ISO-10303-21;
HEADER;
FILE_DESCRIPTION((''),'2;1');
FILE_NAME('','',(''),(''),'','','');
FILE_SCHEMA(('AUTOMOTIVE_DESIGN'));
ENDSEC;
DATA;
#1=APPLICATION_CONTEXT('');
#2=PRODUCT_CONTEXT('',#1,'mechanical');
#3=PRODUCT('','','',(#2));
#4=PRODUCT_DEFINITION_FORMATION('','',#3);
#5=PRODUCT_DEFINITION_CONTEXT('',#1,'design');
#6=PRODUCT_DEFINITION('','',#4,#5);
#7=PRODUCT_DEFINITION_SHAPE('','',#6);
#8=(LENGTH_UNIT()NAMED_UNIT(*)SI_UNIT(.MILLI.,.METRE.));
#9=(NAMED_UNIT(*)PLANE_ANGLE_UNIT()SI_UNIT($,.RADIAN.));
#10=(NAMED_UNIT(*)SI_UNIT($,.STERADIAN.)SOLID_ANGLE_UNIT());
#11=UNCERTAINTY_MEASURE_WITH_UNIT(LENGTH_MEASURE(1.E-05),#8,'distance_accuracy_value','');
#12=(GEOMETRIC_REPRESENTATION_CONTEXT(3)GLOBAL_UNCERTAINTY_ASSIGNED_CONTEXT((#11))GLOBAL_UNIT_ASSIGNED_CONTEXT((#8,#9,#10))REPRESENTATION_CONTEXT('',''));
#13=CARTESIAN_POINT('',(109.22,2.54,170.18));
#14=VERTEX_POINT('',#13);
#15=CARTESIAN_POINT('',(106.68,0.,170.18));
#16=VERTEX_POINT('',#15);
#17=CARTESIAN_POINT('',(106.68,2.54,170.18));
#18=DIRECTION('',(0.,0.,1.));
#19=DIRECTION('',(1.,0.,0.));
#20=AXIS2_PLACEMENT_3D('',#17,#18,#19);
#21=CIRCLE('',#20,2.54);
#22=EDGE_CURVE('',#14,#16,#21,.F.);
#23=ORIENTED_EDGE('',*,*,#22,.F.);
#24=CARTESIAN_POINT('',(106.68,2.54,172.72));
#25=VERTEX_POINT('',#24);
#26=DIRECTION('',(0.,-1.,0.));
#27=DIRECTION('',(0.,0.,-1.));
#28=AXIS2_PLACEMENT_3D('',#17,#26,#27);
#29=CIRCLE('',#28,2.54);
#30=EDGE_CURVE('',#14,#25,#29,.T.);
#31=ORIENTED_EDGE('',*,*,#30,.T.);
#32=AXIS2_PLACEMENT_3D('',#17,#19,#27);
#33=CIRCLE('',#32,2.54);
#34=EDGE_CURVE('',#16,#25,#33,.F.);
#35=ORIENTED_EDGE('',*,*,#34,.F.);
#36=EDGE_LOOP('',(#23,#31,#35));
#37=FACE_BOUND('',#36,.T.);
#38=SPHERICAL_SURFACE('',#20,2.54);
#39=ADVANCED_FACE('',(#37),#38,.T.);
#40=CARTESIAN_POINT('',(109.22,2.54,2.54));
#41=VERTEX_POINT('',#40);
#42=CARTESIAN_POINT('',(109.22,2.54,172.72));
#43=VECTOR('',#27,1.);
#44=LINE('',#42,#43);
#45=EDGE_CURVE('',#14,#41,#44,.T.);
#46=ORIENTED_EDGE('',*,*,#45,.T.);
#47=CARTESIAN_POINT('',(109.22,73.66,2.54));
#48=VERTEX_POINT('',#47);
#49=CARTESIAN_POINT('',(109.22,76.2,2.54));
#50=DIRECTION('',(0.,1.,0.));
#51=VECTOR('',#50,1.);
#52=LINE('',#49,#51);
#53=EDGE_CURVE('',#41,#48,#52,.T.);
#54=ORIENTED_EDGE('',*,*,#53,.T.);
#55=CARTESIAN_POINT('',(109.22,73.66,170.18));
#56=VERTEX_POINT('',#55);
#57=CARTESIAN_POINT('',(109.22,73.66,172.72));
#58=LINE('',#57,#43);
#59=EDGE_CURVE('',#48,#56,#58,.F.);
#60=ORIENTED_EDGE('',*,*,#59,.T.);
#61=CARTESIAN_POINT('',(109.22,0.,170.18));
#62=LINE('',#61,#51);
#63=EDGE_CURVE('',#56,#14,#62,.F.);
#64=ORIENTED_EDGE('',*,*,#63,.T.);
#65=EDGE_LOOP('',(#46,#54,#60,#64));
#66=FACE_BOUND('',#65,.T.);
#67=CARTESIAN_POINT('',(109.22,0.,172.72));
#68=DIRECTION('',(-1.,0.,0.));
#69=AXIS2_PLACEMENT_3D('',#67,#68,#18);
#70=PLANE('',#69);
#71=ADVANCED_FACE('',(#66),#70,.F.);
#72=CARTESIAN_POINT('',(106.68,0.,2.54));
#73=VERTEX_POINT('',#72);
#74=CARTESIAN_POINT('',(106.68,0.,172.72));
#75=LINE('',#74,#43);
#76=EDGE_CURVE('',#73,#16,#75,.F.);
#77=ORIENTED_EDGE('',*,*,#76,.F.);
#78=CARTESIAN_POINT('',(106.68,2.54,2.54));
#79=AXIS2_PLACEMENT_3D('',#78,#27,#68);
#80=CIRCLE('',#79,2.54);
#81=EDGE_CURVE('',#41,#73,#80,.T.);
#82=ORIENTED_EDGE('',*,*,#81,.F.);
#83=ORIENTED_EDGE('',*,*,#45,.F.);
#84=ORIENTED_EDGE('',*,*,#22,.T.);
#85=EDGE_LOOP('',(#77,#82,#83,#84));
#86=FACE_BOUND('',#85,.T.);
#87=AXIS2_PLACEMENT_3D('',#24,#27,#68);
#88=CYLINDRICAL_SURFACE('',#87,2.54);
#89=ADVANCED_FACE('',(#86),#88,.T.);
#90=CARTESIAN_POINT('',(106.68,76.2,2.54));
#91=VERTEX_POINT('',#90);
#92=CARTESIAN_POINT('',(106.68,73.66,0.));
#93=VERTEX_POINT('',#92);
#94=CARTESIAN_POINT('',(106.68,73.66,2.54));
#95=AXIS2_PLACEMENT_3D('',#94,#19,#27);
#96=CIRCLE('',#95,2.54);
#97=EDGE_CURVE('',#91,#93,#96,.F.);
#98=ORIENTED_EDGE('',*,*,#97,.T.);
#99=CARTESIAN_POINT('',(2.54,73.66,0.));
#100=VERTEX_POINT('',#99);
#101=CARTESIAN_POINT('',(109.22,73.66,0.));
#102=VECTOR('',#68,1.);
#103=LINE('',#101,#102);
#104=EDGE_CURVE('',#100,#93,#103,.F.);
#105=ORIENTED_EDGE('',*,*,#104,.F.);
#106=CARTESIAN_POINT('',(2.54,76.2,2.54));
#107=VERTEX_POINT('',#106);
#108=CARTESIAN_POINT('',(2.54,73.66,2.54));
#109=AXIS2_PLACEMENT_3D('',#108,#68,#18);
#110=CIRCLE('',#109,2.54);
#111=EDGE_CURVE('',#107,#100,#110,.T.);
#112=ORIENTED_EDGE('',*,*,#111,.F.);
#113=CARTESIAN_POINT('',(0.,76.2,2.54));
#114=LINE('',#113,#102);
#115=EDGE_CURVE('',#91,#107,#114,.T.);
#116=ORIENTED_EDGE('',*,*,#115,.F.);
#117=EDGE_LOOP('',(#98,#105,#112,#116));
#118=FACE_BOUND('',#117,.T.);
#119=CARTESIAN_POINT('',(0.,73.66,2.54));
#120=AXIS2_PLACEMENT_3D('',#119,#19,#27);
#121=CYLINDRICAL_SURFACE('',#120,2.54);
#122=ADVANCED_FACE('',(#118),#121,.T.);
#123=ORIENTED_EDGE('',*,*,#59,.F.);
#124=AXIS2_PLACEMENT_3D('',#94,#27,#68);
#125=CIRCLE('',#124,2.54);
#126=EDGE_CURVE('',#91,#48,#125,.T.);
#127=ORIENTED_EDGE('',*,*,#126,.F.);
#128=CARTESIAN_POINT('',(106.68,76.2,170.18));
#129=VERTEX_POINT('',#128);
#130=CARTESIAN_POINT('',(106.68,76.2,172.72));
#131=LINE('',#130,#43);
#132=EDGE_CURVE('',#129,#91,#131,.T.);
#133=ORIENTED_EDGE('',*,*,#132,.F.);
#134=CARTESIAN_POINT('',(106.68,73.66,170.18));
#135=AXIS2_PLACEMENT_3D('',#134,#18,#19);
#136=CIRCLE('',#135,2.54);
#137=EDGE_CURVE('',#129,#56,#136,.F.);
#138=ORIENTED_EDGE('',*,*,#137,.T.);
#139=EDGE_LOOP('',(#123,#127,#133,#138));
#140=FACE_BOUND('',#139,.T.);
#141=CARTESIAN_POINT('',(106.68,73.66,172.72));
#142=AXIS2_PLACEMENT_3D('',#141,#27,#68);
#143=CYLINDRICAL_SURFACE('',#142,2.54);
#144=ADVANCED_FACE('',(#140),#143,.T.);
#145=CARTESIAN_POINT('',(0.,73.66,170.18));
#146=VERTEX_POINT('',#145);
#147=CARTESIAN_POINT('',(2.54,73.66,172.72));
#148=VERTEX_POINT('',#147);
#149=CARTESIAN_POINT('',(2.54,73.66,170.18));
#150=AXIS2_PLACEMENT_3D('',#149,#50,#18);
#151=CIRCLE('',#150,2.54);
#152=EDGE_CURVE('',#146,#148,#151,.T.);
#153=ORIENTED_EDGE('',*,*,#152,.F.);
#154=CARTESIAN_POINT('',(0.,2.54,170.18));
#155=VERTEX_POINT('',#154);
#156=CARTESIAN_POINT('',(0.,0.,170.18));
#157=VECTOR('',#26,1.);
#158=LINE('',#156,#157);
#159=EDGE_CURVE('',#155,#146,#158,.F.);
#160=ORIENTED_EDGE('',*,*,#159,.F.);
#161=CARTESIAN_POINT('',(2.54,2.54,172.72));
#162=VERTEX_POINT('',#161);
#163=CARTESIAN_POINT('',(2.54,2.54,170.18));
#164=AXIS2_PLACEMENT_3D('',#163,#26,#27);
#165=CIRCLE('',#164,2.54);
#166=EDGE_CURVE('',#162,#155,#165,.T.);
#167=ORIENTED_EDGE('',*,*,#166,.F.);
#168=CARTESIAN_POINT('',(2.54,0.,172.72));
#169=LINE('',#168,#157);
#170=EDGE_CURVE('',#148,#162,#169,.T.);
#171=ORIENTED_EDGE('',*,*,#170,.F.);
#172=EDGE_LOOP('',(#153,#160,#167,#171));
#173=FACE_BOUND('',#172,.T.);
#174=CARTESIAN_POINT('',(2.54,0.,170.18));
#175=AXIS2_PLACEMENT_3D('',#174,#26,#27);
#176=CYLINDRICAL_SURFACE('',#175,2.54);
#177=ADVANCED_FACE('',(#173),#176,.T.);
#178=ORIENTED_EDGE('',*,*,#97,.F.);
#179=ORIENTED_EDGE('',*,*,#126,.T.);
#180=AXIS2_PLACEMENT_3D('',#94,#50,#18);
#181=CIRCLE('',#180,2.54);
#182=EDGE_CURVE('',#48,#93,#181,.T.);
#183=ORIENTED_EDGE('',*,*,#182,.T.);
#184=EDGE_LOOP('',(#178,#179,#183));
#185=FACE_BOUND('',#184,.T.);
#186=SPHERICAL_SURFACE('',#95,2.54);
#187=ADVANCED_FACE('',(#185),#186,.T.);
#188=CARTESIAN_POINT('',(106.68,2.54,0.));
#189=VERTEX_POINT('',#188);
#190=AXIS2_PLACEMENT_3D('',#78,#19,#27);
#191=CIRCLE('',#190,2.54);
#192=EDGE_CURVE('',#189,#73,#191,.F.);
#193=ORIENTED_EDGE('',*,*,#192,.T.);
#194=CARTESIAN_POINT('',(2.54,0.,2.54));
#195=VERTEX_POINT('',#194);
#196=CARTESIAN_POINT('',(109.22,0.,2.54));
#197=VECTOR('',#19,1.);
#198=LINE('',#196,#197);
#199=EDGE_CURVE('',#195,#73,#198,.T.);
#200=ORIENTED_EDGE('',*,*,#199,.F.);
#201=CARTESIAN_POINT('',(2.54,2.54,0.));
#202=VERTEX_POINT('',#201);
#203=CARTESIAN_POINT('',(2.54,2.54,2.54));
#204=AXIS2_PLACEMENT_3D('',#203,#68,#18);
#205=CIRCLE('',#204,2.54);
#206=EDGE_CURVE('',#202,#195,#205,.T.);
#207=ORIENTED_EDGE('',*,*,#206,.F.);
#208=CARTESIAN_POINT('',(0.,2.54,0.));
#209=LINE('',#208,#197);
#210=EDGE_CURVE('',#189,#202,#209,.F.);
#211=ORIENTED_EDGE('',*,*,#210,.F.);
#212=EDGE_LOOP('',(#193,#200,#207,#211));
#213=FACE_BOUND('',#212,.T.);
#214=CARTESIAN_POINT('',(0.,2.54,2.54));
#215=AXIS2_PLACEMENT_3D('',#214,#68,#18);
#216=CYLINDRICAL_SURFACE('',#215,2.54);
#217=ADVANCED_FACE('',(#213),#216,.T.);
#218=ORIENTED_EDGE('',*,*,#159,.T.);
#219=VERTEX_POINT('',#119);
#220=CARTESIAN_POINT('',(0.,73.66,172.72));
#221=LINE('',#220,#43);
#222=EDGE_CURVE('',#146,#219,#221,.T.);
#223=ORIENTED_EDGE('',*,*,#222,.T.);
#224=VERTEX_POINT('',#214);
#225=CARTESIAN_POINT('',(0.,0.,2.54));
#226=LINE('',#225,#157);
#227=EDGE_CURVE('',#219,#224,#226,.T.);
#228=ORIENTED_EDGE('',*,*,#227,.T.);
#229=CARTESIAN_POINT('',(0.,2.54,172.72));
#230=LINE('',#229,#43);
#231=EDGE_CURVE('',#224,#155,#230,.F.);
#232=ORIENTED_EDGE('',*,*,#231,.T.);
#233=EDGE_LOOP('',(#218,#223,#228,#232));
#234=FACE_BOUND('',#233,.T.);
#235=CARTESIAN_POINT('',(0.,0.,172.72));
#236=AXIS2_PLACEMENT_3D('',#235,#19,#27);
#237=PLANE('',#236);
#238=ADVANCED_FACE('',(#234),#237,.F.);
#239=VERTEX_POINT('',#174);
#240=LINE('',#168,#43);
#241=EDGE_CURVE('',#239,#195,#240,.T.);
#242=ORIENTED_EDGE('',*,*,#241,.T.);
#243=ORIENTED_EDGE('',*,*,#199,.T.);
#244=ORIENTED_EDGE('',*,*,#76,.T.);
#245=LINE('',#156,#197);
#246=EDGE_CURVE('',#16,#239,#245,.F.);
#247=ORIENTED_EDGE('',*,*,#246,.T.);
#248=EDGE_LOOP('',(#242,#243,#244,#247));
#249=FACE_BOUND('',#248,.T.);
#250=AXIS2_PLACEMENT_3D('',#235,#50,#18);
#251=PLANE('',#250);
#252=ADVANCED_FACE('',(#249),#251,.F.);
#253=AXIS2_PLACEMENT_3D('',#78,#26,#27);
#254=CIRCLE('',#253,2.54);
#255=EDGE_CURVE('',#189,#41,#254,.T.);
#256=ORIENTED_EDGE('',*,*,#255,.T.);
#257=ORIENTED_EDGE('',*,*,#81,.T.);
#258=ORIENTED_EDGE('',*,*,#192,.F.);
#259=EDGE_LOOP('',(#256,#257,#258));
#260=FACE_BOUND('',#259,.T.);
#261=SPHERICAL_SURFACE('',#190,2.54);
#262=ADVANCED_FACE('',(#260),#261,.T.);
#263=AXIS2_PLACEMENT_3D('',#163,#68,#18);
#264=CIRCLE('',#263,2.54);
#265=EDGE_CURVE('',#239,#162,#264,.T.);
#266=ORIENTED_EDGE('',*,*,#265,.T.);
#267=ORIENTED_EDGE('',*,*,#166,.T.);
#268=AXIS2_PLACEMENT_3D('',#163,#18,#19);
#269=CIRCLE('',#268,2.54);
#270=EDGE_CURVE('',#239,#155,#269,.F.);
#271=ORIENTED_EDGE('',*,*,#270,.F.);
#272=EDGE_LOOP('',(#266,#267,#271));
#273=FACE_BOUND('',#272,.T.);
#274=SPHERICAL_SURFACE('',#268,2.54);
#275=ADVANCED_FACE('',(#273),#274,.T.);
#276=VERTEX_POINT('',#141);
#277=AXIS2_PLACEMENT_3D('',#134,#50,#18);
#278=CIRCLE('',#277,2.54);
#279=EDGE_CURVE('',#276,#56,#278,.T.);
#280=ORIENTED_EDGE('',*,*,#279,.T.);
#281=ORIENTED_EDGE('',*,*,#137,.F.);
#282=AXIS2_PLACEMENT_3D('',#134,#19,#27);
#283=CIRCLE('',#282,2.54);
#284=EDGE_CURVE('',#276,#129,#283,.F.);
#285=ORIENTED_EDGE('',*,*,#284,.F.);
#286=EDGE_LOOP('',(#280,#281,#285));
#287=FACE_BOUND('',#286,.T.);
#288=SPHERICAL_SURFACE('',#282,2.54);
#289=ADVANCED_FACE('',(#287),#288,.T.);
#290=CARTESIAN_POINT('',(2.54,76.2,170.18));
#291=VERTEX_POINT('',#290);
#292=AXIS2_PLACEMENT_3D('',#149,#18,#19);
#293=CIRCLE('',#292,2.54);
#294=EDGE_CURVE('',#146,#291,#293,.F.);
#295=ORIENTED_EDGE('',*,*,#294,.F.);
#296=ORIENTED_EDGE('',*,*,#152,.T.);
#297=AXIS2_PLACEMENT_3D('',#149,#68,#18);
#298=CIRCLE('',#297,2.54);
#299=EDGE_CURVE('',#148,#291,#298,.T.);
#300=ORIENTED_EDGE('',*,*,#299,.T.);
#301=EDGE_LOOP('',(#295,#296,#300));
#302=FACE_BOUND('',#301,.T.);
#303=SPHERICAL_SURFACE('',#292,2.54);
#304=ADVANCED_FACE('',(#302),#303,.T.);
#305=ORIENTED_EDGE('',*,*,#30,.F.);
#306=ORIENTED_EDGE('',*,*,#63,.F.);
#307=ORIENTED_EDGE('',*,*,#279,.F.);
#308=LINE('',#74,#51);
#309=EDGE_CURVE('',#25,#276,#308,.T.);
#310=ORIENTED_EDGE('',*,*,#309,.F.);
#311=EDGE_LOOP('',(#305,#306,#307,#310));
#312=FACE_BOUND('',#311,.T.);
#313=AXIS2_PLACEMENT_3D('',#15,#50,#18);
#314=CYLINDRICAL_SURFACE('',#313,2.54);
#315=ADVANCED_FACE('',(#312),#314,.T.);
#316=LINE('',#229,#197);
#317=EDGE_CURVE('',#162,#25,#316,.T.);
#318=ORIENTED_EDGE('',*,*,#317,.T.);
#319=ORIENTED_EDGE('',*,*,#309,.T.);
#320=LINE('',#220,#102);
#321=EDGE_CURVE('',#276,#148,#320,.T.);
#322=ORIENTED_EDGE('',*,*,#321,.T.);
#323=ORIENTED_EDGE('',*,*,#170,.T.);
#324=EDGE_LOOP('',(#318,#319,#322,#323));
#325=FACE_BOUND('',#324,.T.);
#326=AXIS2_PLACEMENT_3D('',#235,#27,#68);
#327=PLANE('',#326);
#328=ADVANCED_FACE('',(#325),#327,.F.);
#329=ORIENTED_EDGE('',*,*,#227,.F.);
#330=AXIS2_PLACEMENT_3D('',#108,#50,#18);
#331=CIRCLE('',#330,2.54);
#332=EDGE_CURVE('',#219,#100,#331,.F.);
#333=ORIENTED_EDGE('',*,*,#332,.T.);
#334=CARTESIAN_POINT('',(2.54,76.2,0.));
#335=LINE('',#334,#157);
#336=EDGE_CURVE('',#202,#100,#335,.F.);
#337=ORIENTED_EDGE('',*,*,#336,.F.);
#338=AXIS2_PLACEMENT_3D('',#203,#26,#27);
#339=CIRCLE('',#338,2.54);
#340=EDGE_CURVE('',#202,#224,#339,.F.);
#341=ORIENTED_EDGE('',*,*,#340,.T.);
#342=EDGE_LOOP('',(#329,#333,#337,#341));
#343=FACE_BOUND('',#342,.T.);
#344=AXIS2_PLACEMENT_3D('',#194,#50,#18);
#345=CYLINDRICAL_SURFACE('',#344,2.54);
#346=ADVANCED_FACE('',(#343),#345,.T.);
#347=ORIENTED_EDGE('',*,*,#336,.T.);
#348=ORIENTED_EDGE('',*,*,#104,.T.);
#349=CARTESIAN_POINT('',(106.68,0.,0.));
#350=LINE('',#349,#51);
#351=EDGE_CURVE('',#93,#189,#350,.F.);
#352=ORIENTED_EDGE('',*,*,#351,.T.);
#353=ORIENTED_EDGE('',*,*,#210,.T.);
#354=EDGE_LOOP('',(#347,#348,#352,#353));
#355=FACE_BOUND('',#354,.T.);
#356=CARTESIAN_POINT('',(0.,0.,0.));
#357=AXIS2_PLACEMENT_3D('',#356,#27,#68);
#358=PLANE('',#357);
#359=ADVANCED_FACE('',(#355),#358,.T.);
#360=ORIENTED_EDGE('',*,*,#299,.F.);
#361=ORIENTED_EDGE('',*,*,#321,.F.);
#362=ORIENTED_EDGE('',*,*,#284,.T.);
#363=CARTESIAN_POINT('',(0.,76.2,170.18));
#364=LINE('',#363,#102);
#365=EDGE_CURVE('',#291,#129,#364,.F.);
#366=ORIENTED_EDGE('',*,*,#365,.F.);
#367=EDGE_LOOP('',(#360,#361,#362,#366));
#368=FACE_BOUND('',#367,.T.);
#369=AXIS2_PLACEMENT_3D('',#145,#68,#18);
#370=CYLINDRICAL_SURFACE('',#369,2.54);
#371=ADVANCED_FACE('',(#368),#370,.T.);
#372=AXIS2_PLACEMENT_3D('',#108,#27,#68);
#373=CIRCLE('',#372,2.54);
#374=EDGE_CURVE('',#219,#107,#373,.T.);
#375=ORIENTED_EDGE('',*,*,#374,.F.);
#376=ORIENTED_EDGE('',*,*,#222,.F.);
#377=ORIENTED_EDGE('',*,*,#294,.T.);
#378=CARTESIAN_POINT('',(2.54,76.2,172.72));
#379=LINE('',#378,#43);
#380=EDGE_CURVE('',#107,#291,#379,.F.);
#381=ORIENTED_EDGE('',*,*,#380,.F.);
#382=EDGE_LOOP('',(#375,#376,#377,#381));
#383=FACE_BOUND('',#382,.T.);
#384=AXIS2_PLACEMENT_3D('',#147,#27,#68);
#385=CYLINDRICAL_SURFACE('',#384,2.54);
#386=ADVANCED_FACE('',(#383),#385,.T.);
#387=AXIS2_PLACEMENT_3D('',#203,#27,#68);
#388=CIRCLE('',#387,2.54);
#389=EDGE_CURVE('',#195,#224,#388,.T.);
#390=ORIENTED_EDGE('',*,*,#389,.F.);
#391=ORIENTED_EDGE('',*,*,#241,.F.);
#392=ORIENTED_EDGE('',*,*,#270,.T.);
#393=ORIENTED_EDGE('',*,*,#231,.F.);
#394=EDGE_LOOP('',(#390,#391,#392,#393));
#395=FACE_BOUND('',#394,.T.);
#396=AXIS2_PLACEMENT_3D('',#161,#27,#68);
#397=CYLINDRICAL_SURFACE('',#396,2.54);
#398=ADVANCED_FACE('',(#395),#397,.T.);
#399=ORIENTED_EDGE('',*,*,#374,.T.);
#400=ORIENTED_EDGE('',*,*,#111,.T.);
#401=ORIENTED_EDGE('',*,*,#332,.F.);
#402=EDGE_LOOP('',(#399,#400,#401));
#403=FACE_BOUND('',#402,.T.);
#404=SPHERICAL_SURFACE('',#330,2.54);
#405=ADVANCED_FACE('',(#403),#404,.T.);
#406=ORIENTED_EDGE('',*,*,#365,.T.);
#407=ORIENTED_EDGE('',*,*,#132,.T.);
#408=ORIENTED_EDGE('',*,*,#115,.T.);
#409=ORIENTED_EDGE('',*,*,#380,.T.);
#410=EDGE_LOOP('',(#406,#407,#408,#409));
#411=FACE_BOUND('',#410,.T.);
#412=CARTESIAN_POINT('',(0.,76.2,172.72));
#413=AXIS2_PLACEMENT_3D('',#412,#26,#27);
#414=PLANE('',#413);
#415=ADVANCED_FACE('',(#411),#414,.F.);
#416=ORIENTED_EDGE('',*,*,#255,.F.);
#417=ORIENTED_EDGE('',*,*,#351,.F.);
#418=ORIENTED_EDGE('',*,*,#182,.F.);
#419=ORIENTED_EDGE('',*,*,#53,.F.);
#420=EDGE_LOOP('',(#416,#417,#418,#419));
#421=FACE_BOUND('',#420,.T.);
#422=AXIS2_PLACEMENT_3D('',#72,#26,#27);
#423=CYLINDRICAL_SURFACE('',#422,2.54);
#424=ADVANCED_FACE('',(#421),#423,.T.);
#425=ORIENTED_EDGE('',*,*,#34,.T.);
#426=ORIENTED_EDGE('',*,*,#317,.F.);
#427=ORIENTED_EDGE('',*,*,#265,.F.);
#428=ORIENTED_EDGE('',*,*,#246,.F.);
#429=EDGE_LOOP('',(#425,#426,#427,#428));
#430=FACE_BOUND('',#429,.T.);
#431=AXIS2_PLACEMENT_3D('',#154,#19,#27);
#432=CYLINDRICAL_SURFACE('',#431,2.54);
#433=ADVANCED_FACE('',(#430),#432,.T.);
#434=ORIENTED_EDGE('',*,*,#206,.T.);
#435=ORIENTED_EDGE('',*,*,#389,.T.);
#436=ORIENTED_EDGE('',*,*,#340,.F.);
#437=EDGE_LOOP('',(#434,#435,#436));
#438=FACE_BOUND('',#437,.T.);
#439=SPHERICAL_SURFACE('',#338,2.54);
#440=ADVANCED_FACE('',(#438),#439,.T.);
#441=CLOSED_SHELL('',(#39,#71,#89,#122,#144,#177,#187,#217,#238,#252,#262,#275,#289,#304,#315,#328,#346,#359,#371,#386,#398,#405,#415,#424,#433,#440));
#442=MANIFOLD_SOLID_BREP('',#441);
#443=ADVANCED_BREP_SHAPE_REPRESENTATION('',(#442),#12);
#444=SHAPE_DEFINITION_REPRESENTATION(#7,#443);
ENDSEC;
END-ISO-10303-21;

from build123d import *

# Parameters (mm, degrees)
SKETCH1_W           = 109.22
SKETCH1_H           = 76.2
BOSS_EXTRUDE1_DEPTH = 172.72
FILLET1_R           = 2.54


with BuildPart() as part:
    # Sketch1 → Boss-Extrude1 (new body)
    with BuildSketch(Plane.XY):
        with Locations((54.61, 38.1)):
            Rectangle(SKETCH1_W, SKETCH1_H)
    extrude(amount=BOSS_EXTRUDE1_DEPTH)

    # Fillet1
    fillet1_edges = [part.edges().sort_by_distance(p)[0] for p in [
        (109.22, 38.1, 172.72),
        (54.61, 76.2, 172.72),
        (0, 38.1, 172.72),
        (54.61, 76.2, 0),
        (109.22, 38.1, 0),
        (54.61, 0, 0),
        (0, 38.1, 0),
        (0, 76.2, 86.36),
        (109.22, 76.2, 86.36),
        (109.22, 0, 86.36),
        (0, 0, 86.36),
        (54.61, 0, 172.72),
    ]]
    fillet(fillet1_edges, radius=FILLET1_R)


solid = part.part
